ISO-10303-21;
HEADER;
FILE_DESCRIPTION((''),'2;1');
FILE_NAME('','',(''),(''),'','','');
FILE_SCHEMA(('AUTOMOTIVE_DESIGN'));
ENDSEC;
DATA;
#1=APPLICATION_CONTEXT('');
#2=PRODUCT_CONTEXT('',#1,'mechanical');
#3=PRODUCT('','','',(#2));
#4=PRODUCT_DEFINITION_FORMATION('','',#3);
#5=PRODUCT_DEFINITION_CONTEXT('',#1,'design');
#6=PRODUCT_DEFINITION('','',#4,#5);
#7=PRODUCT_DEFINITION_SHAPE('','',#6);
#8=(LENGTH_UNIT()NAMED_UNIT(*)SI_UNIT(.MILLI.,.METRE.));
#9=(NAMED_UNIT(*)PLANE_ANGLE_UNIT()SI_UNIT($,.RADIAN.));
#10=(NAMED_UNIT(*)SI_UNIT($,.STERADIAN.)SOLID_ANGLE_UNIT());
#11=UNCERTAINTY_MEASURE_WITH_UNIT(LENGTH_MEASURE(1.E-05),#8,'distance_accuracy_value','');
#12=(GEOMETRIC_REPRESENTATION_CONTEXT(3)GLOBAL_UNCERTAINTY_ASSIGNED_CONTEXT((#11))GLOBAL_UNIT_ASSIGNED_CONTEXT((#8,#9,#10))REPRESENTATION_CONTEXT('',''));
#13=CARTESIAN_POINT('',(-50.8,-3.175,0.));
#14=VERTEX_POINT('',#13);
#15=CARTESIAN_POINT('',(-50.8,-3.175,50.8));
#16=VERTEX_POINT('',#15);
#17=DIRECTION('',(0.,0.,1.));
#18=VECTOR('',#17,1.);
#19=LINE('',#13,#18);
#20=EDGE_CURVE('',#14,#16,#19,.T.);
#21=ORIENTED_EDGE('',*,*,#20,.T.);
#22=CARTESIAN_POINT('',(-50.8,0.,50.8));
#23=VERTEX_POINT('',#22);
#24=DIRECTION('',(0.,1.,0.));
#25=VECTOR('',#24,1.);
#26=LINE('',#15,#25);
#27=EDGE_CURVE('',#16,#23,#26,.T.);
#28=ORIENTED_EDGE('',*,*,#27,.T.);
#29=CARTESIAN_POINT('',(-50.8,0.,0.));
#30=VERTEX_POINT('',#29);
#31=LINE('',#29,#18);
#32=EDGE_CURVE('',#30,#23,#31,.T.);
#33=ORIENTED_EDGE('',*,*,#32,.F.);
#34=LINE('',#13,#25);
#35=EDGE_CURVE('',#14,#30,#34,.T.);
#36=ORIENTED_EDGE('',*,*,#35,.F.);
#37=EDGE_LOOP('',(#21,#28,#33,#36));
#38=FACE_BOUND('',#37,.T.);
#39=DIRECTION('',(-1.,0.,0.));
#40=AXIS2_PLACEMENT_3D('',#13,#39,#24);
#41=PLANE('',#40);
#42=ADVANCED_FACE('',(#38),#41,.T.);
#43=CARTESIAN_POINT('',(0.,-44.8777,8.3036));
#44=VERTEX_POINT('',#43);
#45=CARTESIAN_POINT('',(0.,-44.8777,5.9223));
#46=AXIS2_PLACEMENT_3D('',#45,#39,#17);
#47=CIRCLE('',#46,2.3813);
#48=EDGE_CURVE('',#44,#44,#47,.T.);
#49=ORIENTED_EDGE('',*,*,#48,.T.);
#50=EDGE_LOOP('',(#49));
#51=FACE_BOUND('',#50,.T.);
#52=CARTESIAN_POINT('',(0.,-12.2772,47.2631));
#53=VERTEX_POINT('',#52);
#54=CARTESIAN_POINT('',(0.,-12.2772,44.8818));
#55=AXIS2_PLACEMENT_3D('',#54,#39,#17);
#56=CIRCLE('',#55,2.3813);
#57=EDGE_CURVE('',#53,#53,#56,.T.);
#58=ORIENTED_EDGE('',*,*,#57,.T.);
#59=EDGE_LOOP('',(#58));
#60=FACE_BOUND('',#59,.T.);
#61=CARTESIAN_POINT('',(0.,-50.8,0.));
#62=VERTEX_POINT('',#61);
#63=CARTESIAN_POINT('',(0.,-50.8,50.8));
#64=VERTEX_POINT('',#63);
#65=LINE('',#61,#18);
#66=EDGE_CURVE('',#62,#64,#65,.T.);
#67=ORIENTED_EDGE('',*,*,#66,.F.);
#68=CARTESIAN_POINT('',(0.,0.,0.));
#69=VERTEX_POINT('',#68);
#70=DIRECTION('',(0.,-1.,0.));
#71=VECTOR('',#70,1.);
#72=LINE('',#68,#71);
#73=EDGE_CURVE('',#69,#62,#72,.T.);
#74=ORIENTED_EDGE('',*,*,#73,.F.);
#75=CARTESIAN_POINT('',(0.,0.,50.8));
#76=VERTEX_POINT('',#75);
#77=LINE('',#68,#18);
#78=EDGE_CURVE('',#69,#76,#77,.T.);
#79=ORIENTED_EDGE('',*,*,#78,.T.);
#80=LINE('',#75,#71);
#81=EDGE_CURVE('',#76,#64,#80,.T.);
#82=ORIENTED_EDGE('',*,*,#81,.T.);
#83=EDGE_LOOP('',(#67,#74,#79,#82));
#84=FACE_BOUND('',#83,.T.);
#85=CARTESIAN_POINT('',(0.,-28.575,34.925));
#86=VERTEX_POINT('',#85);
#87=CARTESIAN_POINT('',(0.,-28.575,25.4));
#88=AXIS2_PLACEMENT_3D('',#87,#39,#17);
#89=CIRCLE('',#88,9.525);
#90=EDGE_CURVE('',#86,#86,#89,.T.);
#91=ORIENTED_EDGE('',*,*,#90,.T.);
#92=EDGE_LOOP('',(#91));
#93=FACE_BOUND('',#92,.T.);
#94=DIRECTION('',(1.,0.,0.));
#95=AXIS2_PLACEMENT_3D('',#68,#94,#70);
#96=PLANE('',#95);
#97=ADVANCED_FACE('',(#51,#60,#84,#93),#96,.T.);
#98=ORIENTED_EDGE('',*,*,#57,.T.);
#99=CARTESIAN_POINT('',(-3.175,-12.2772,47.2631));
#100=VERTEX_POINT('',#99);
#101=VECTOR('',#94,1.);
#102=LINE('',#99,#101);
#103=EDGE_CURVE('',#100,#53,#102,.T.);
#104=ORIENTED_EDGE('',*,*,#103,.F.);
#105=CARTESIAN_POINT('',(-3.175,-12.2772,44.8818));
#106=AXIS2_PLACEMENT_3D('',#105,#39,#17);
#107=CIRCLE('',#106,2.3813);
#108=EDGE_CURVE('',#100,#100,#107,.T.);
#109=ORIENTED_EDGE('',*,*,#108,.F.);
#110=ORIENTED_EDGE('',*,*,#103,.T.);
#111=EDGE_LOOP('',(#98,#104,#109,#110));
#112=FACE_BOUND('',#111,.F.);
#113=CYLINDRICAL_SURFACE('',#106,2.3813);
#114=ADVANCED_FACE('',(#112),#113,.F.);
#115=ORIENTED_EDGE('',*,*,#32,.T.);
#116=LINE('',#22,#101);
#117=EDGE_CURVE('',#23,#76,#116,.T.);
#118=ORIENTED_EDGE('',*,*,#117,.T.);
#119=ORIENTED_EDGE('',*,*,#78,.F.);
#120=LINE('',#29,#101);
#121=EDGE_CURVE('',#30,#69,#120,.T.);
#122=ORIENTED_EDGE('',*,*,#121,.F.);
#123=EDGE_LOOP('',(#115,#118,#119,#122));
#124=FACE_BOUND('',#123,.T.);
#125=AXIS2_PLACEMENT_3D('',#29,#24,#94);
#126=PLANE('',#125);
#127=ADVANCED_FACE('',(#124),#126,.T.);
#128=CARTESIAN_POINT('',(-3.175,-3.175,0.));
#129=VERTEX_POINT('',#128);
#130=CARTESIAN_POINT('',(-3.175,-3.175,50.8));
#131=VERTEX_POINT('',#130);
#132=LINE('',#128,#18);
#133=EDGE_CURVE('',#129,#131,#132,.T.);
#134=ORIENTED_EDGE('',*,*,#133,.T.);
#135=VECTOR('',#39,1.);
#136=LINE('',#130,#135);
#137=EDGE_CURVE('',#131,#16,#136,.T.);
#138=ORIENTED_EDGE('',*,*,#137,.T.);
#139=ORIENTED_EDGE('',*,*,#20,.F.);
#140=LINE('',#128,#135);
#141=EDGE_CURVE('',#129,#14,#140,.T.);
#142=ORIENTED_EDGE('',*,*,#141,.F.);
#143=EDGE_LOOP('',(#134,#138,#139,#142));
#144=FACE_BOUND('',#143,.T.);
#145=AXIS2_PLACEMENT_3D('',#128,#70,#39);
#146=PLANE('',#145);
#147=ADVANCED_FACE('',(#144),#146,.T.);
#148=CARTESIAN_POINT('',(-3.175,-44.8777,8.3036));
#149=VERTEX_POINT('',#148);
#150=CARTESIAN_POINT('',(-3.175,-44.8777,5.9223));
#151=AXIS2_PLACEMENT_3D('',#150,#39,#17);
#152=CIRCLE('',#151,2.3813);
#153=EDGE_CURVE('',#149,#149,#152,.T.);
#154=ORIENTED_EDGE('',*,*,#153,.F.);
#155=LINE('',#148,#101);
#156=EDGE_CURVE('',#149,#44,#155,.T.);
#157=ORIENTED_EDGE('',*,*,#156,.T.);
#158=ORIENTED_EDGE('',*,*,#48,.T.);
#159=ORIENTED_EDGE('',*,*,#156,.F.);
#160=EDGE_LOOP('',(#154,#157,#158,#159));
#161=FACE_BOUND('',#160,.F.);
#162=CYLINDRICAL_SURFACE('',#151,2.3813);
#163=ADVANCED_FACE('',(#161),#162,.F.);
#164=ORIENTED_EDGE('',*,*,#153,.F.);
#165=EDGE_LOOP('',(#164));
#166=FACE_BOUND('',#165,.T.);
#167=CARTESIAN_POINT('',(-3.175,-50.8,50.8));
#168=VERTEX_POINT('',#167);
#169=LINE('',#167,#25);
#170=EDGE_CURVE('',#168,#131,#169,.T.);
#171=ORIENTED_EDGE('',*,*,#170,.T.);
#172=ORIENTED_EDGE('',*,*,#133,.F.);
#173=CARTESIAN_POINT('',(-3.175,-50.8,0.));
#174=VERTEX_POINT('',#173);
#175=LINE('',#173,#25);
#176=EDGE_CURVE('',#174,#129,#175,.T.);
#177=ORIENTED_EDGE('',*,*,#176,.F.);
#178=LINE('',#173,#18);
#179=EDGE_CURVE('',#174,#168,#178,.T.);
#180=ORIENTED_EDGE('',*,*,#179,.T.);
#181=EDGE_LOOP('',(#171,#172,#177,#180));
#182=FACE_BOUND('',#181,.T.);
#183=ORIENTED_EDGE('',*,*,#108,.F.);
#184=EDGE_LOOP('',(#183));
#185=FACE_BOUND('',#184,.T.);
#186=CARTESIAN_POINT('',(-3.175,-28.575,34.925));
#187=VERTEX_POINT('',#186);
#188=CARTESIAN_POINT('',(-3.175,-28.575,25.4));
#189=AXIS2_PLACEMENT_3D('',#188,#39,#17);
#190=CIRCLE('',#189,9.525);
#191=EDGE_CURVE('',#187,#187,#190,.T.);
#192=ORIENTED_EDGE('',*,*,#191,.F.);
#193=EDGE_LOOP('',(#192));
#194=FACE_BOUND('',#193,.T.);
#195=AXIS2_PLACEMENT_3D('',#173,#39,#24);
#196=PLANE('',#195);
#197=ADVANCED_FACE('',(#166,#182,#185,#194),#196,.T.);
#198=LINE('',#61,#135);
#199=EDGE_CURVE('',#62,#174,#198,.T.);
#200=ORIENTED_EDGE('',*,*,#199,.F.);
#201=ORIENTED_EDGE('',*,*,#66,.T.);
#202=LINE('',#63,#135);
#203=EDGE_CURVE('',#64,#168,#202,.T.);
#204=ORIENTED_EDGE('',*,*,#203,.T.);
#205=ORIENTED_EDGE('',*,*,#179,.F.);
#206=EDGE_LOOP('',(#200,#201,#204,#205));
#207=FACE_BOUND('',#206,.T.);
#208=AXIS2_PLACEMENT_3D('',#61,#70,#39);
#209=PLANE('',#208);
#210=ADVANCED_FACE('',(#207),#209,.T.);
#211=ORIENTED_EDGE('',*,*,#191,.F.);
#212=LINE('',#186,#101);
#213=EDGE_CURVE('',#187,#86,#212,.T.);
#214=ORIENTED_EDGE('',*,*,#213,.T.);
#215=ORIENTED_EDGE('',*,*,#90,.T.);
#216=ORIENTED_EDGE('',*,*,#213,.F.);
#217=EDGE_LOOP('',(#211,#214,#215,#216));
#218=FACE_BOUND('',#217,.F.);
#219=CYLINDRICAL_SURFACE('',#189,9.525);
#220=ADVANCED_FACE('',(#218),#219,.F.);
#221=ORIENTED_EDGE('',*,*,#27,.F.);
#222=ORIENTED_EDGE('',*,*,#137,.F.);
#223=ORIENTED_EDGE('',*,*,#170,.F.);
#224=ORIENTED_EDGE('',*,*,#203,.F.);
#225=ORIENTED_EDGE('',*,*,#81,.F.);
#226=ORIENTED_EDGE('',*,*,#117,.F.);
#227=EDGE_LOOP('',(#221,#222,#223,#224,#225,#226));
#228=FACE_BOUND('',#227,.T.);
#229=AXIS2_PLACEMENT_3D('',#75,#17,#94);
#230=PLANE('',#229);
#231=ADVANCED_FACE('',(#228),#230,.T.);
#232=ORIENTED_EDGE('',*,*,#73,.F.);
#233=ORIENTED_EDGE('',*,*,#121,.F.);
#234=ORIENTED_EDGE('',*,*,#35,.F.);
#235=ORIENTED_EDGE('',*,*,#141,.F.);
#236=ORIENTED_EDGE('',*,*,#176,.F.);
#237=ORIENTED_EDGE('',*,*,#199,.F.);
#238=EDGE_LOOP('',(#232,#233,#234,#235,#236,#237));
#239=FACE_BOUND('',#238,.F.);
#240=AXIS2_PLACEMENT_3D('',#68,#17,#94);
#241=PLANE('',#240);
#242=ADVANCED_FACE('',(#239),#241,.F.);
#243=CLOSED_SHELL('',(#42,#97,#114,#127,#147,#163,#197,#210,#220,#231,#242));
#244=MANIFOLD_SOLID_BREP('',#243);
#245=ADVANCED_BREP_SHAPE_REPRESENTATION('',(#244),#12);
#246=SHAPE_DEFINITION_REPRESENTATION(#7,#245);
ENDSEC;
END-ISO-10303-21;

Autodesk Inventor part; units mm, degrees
ref_plane "YZ Plane" through (0, 0, 0) normal (1, 0, 0) x (0, 1, 0)
ref_plane "XZ Plane" through (0, 0, 0) normal (0, 1, 0) x (-1, 0, 0)
ref_plane "XY Plane" through (0, 0, 0) normal (0, 0, 1) x (1, 0, 0)
sketch "Sketch1" plane through (0, 0, 0) normal (0, 0, 1) x (1, 0, 0)
  line L0 (0, 0) -> (0, -50.8)
  line L1 (0, -50.8) -> (-3.175, -50.8)
  line L2 (-3.175, -50.8) -> (-3.175, -3.175)
  line L3 (-3.175, -3.175) -> (-50.8, -3.175)
  line L4 (-50.8, -3.175) -> (-50.8, 0)
  line L5 (-50.8, 0) -> (0, 0)
  dimension "d0" = 50.8
  dimension "d1" = 3.175
  dimension "d2" = 47.625
  dimension "d3" = 47.625
extrude "Extrusion1" add sketch "Sketch1" along normal blind 50.8
sketch "Sketch2" plane through (-3.175, -50.8, 0) normal (-1, 0, 0) x (0, 0, 1)
  circle A0 centre (25.4, 22.225) radius 9.525
  line L0 (0, 50.8) -> (0, 0) projected
  line L1 (0, 0) -> (50.8, 0) projected
  circle A1 centre (25.4, 22.225) radius 25.4 construction
  circle A2 centre (44.8818, 38.5228) radius 2.3813
  circle A3 centre (5.9223, 5.9223) radius 2.3813
  line L2 (5.9223, 5.9223) -> (5.9223, 50.8) construction
  line L3 (0, 50.8) -> (50.8, 50.8) construction
  line L4 (5.9223, 5.9223) -> (0, 5.9223) construction
  line L5 (5.9223, 5.9223) -> (5.9223, 0) construction
  line L6 (50.8, 0) -> (50.8, 50.8) construction
  dimension "d9" = 25.4
  dimension "d10" = 22.225
  dimension "d13" = 50.8
  dimension "d14" = 4.7625
  dimension "d15" = 4.7625
  dimension "d16" = 5.9182
  dimension "d17" = 19.05
extrude "Extrusion2" cut sketch "Sketch2" against normal blind 3.175
properties part number "bag motor bracket"
